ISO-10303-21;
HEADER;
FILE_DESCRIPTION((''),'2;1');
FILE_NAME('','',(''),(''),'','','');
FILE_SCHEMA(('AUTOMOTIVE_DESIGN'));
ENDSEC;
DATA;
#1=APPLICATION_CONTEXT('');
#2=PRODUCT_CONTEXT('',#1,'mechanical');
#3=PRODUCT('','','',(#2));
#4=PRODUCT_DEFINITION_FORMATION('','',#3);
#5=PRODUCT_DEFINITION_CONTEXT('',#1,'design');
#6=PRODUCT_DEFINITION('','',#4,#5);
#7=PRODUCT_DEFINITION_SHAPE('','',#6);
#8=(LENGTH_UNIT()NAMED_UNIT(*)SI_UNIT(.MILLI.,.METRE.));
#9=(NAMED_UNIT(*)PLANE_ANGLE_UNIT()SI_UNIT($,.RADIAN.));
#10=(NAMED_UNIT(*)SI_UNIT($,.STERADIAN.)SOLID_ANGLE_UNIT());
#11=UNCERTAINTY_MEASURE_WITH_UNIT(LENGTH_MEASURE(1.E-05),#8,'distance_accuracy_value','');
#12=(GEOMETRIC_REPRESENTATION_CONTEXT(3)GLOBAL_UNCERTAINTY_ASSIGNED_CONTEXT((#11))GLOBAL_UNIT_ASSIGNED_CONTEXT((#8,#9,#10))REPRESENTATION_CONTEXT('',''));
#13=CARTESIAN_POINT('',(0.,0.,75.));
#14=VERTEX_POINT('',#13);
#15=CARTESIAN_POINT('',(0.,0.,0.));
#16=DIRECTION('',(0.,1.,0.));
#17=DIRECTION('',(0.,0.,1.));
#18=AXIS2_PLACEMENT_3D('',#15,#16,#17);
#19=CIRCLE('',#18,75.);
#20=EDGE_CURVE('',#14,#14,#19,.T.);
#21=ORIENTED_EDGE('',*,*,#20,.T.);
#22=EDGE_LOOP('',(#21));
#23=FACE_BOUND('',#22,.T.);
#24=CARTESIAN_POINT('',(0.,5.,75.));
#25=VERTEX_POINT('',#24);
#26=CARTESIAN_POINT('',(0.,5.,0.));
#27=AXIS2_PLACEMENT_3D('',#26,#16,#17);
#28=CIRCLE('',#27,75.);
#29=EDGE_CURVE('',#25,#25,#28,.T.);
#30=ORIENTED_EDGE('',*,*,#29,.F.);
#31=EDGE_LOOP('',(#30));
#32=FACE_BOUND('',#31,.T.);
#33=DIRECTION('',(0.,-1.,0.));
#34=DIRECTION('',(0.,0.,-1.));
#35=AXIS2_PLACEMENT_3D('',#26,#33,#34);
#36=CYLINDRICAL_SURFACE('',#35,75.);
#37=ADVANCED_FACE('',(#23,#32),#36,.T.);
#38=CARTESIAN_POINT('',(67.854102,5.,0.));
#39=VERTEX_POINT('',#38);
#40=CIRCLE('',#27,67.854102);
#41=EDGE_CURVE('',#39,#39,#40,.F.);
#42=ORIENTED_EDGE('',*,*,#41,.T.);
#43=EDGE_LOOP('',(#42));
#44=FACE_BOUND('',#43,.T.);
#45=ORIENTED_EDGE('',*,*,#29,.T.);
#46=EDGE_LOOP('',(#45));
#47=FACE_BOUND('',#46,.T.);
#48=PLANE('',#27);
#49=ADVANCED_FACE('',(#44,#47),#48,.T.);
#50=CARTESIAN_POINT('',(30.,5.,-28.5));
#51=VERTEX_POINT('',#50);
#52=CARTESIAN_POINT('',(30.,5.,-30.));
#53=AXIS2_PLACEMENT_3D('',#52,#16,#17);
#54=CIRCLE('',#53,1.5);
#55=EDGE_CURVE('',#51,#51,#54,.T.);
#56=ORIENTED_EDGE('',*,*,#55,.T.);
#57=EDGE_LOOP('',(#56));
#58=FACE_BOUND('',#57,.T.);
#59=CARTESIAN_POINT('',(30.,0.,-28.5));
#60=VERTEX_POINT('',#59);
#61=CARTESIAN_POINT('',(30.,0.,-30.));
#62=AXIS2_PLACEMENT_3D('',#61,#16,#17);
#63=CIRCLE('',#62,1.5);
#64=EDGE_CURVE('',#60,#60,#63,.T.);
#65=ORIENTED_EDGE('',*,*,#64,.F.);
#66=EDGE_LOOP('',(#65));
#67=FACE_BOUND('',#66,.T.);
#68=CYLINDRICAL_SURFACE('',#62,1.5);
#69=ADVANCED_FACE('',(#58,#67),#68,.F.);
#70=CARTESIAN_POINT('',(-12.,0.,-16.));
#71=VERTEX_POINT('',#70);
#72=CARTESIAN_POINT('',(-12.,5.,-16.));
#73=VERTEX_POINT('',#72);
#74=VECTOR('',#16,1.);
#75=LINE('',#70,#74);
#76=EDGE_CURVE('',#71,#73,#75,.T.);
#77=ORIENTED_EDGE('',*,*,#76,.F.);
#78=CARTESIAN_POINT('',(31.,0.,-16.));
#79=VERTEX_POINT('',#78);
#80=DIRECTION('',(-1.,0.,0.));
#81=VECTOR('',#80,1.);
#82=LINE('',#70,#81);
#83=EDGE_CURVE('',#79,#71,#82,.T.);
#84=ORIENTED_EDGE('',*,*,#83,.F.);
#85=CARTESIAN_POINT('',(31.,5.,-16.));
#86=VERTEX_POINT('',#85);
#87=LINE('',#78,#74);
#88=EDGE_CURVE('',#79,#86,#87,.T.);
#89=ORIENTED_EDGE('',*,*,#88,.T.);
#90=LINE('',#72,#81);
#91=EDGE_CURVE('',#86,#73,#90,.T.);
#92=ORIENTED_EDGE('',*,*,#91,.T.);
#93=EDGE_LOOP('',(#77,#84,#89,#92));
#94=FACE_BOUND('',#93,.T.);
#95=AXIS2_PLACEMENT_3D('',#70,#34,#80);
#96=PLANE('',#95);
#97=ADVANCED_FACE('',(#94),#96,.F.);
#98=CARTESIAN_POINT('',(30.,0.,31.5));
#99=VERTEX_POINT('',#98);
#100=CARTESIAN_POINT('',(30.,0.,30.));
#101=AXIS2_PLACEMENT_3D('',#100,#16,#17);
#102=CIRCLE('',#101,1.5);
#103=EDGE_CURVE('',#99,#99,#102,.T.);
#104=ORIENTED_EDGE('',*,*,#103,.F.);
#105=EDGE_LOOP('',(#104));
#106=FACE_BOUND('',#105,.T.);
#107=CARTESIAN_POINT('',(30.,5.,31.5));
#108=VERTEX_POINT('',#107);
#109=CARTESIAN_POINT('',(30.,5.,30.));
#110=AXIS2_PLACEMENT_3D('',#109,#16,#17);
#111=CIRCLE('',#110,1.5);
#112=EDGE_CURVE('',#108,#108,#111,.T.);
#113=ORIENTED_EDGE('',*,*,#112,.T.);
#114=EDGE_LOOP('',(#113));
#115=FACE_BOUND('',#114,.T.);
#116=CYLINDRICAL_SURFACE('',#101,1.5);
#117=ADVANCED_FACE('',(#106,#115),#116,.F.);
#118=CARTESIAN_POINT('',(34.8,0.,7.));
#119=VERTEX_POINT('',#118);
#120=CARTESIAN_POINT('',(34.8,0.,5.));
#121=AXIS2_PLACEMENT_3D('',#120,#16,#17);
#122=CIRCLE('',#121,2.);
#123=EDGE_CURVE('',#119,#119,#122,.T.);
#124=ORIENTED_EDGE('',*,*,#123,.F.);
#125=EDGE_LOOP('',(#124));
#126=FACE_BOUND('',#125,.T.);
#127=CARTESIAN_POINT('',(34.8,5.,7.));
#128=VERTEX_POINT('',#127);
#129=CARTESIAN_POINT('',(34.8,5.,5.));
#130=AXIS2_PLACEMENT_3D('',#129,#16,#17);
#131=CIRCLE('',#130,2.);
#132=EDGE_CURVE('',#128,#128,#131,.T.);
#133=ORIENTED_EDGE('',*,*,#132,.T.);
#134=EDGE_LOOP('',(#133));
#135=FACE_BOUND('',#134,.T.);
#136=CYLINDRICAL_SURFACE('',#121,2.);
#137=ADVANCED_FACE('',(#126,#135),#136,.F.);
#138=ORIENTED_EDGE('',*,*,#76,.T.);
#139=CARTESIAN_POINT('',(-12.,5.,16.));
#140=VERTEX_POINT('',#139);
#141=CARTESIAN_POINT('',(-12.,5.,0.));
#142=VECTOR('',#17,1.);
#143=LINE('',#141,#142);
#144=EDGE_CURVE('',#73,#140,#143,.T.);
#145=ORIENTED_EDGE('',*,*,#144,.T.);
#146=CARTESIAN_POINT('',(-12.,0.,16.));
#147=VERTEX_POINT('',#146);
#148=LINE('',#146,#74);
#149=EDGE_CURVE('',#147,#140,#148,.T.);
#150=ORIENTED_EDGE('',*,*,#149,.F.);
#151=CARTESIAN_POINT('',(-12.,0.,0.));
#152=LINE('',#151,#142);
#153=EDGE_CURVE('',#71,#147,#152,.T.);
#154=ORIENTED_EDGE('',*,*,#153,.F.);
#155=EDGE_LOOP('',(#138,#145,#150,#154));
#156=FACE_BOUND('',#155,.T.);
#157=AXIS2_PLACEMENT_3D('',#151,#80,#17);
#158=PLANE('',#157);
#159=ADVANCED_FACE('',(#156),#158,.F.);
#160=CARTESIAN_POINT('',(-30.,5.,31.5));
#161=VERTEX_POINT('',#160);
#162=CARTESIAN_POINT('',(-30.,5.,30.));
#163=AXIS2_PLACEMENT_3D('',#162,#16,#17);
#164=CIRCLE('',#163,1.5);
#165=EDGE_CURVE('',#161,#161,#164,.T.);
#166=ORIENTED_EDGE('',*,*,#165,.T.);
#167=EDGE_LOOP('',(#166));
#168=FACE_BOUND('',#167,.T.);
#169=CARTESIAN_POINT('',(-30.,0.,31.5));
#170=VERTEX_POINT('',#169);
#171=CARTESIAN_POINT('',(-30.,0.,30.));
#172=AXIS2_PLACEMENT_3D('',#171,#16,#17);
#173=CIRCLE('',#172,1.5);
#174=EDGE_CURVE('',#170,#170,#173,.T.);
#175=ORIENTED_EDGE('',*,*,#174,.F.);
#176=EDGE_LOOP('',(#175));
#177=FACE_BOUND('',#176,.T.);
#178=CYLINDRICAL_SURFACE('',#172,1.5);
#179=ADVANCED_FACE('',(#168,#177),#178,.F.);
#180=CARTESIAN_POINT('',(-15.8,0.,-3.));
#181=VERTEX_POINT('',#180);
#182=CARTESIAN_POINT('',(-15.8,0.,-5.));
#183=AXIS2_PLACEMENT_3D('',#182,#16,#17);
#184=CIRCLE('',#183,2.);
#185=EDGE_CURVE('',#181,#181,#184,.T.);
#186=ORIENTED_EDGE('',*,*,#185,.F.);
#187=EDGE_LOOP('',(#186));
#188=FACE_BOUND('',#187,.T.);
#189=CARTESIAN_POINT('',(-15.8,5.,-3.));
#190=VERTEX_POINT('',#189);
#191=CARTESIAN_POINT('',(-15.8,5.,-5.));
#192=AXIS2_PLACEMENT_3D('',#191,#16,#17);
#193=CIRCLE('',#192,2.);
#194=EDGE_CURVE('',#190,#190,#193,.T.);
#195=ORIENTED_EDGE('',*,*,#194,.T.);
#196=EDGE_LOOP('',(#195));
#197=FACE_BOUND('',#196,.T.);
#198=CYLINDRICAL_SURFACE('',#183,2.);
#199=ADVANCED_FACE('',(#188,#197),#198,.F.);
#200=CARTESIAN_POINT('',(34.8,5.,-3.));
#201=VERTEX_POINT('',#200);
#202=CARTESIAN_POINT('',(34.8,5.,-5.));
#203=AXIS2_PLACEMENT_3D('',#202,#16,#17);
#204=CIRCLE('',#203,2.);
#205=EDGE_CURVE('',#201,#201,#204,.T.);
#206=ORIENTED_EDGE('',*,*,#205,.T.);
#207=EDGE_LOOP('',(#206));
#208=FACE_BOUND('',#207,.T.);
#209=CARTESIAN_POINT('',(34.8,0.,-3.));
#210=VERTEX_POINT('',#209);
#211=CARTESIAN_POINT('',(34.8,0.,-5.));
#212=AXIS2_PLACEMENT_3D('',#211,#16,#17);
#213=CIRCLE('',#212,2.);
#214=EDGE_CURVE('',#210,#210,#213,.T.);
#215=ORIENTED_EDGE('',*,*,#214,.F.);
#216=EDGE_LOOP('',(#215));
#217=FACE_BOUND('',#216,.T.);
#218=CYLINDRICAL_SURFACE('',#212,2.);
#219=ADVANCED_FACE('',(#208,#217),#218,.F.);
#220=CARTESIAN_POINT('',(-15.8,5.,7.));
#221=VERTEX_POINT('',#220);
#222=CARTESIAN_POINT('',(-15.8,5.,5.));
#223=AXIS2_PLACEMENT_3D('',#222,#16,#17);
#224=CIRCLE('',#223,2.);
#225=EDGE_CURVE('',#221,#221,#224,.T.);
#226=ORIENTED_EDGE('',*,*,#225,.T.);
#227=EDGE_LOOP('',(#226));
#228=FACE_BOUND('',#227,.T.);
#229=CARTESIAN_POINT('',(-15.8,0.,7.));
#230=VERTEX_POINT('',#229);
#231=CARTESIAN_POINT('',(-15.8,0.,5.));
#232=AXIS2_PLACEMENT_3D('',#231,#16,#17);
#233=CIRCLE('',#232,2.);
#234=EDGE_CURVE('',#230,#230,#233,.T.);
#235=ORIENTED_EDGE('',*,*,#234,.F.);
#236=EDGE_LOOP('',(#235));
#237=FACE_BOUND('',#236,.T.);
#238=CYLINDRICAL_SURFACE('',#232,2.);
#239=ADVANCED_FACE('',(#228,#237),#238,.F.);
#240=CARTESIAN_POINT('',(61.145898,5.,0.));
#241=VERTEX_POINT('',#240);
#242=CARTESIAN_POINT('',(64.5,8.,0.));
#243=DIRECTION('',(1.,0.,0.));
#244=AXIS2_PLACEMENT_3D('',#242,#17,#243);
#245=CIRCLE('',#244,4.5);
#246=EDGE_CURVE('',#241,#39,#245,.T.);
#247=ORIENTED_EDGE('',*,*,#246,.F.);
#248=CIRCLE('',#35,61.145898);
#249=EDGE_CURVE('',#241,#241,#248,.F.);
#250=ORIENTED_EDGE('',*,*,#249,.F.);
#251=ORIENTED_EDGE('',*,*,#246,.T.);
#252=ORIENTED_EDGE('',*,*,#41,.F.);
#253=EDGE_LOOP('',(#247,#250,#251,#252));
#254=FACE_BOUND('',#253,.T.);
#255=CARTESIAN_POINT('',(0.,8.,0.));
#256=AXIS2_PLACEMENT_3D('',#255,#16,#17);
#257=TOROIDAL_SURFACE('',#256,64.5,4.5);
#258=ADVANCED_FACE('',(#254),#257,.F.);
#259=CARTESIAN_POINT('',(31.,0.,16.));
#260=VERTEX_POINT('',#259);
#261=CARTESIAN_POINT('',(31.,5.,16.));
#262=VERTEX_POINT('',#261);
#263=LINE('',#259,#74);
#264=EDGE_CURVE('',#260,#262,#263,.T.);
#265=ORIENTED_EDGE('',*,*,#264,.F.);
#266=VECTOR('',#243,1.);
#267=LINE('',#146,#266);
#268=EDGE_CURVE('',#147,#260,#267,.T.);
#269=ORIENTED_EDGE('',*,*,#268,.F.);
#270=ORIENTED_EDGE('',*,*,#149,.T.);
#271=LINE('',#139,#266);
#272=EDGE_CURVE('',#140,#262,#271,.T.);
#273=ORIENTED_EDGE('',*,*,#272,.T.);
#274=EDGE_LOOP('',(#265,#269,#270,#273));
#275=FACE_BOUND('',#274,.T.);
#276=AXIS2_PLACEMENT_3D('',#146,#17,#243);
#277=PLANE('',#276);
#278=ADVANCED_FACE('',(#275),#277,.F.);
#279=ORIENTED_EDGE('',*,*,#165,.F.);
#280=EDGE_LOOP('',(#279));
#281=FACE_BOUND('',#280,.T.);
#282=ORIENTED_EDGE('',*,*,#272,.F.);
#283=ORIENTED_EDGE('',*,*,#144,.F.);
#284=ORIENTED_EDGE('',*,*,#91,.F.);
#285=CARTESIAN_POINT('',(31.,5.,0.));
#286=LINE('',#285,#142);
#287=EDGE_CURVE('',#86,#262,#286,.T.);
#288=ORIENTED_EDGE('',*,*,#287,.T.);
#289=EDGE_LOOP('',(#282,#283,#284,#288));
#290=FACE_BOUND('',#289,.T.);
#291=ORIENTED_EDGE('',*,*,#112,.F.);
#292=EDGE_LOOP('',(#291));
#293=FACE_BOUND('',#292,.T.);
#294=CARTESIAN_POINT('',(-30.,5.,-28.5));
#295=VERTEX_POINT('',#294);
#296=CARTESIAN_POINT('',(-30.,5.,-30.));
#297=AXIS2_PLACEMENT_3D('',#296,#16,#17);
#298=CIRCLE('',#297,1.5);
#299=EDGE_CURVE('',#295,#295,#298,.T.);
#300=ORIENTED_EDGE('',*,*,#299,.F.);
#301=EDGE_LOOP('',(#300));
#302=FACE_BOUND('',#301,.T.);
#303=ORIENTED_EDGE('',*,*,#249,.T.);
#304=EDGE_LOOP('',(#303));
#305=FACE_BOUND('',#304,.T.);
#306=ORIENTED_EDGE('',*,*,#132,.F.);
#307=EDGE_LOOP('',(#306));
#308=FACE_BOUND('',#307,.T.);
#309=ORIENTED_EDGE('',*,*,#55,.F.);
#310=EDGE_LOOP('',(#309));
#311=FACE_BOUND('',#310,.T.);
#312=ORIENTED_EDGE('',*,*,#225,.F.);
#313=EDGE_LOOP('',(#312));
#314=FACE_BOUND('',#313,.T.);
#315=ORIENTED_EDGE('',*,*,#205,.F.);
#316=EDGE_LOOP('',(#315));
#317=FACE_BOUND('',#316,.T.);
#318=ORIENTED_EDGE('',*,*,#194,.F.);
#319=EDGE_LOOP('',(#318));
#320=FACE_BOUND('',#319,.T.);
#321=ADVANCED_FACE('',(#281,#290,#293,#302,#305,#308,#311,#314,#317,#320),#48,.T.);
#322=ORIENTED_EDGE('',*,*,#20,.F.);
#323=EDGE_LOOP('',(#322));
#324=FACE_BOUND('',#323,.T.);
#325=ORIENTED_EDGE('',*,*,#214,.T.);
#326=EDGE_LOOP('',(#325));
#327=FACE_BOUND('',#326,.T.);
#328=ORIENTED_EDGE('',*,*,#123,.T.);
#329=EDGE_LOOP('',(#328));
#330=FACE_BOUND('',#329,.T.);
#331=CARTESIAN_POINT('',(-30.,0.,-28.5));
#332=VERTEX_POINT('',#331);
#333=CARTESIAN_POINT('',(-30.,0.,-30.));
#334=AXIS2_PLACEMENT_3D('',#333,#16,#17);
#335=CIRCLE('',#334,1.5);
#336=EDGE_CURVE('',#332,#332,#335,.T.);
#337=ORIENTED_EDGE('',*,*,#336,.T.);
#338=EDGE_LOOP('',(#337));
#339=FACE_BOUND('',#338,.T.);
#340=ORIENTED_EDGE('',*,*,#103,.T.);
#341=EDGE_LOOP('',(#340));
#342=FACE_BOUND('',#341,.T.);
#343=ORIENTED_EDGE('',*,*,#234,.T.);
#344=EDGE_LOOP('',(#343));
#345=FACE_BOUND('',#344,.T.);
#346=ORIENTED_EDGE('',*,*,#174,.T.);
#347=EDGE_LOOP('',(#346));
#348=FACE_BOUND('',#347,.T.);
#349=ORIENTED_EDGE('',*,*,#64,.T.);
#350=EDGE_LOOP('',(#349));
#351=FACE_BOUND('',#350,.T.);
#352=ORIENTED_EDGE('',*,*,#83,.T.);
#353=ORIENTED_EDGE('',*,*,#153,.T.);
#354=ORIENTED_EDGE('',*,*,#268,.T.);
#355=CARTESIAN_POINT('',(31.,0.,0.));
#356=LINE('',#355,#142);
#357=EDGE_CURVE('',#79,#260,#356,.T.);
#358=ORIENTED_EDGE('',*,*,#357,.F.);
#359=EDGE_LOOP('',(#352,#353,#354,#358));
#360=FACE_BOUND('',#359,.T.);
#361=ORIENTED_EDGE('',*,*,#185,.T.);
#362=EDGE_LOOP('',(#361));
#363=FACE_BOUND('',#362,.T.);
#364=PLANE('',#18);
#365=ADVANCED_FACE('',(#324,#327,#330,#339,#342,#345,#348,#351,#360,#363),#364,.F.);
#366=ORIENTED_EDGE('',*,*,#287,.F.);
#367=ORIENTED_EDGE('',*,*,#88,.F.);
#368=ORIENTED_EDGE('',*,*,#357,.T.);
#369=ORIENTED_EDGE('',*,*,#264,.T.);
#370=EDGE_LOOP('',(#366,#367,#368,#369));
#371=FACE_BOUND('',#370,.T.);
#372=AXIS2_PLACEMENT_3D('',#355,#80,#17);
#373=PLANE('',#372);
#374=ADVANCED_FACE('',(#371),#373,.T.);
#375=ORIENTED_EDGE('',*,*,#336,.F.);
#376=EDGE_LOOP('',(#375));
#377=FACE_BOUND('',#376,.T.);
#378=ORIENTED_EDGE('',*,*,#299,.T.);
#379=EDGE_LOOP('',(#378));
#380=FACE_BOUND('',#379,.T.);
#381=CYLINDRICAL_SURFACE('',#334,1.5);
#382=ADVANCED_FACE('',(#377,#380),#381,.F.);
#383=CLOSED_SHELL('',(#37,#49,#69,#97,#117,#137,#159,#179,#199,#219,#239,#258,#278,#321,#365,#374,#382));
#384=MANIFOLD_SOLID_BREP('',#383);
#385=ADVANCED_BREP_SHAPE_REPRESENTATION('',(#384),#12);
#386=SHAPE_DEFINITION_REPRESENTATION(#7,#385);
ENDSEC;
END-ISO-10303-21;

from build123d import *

# Parameters (mm, degrees)
CROQUIS1_R              = 75
SALIENTE_EXTRUIR1_DEPTH = 5
CORTAR_EXTRUIR1_DEPTH   = 5
CORTAR_EXTRUIR2_DEPTH   = 5
CROQUIS6_R              = 4.5
CROQUIS11_W             = 43
CROQUIS11_H             = 3
CORTAR_EXTRUIR3_DEPTH   = 5
CROQUIS12_R             = 2
CORTAR_EXTRUIR4_DEPTH   = 5


with BuildPart() as part:
    # Croquis1 → Saliente-Extruir1 (new body)
    with BuildSketch(Plane(origin=(0, 0, 0), x_dir=(1, 0, 0), z_dir=(0, 1, 0))):
        with Locations(Location((0, 0, 0), (0, 0, 270))):
            Circle(CROQUIS1_R)
    extrude(amount=SALIENTE_EXTRUIR1_DEPTH)

    # Croquis2 → Cortar-Extruir1 (cut)
    with BuildSketch(Plane(origin=(0, 5, 0), x_dir=(1, 0, 0), z_dir=(0, 1, 0))):
        Polygon((31, 0), (0, 0), (-12, 0), (-12, -13), (31, -13), align=None)
        Polygon((-12, 0), (0, 0), (31, 0), (31, 13), (-12, 13), align=None)
    extrude(amount=-CORTAR_EXTRUIR1_DEPTH, mode=Mode.SUBTRACT)

    # Croquis4 → Cortar-Extruir2 (cut)
    with BuildSketch(Plane(origin=(0, 5, 0), x_dir=(1, 0, 0), z_dir=(0, 1, 0))):
        with BuildLine():
            ThreePointArc((-28.5, 30), (-31.060660172, 31.060660172), (-30, 28.5))
            Line((-30, 28.5), (-30, 30))
            Line((-30, 30), (-28.5, 30))
        make_face()
        with BuildLine():
            Line((-30, 30), (-30, 28.5))
            ThreePointArc((-30, 28.5), (-28.939339828, 28.939339828), (-28.5, 30))
            Line((-28.5, 30), (-30, 30))
        make_face()
        with BuildLine():
            ThreePointArc((28.5, 30), (28.939339828, 28.939339828), (30, 28.5))
            Line((30, 28.5), (30, 30))
            Line((30, 30), (28.5, 30))
        make_face()
        with BuildLine():
            Line((30, 30), (30, 28.5))
            ThreePointArc((30, 28.5), (31.060660172, 28.939339828), (31.5, 30))
            ThreePointArc((31.5, 30), (30, 31.5), (28.5, 30))
            Line((28.5, 30), (30, 30))
        make_face()
        with BuildLine():
            ThreePointArc((30, -28.5), (28.939339828, -28.939339828), (28.5, -30))
            Line((28.5, -30), (30, -30))
            Line((30, -30), (30, -28.5))
        make_face()
        with BuildLine():
            Line((30, -30), (28.5, -30))
            ThreePointArc((28.5, -30), (30, -31.5), (31.5, -30))
            ThreePointArc((31.5, -30), (31.060660172, -28.939339828), (30, -28.5))
            Line((30, -28.5), (30, -30))
        make_face()
        with BuildLine():
            Line((-30, -28.5), (-30, -30))
            Line((-30, -30), (-28.5, -30))
            ThreePointArc((-28.5, -30), (-28.939339828, -28.939339828), (-30, -28.5))
        make_face()
        with BuildLine():
            Line((-28.5, -30), (-30, -30))
            Line((-30, -30), (-30, -28.5))
            ThreePointArc((-30, -28.5), (-31.060660172, -31.060660172), (-28.5, -30))
        make_face()
    extrude(amount=-CORTAR_EXTRUIR2_DEPTH, mode=Mode.SUBTRACT)

    # Cortar-Barrer3: sweep along a path in Croquis5
    with BuildLine(Plane(origin=(0, 5, 0), x_dir=(1, 0, 0), z_dir=(0, 1, 0))) as cortar_barrer3_path:
        CenterArc((0, 0), 64.5, 0, 360)
    # Croquis6 → Cortar-Barrer3 (sweep, cut)
    with BuildSketch(Plane.XY):
        with Locations((64.5, 8)):
            Circle(CROQUIS6_R)
    sweep(path=cortar_barrer3_path.line, mode=Mode.SUBTRACT)

    # Croquis11 → Cortar-Extruir3 (cut)
    with BuildSketch(Plane(origin=(0, 5, 0), x_dir=(1, 0, 0), z_dir=(0, 1, 0))):
        with Locations((9.5, 14.5)):
            Rectangle(CROQUIS11_W, CROQUIS11_H)
        with Locations((9.5, -14.5)):
            Rectangle(CROQUIS11_W, CROQUIS11_H)
    extrude(amount=-CORTAR_EXTRUIR3_DEPTH, mode=Mode.SUBTRACT)

    # Croquis12 → Cortar-Extruir4 (cut)
    with BuildSketch(Plane(origin=(0, 5, 0), x_dir=(1, 0, 0), z_dir=(0, 1, 0))):
        with Locations(Location((34.8, 5, 0), (0, 0, 270))):
            Circle(CROQUIS12_R)
        with Locations(Location((34.8, -5, 0), (0, 0, 270))):
            Circle(CROQUIS12_R)
        with Locations(Location((-15.8, -5, 0), (0, 0, 270))):
            Circle(CROQUIS12_R)
        with Locations(Location((-15.8, 5, 0), (0, 0, 270))):
            Circle(CROQUIS12_R)
    extrude(amount=-CORTAR_EXTRUIR4_DEPTH, mode=Mode.SUBTRACT)


solid = part.part
